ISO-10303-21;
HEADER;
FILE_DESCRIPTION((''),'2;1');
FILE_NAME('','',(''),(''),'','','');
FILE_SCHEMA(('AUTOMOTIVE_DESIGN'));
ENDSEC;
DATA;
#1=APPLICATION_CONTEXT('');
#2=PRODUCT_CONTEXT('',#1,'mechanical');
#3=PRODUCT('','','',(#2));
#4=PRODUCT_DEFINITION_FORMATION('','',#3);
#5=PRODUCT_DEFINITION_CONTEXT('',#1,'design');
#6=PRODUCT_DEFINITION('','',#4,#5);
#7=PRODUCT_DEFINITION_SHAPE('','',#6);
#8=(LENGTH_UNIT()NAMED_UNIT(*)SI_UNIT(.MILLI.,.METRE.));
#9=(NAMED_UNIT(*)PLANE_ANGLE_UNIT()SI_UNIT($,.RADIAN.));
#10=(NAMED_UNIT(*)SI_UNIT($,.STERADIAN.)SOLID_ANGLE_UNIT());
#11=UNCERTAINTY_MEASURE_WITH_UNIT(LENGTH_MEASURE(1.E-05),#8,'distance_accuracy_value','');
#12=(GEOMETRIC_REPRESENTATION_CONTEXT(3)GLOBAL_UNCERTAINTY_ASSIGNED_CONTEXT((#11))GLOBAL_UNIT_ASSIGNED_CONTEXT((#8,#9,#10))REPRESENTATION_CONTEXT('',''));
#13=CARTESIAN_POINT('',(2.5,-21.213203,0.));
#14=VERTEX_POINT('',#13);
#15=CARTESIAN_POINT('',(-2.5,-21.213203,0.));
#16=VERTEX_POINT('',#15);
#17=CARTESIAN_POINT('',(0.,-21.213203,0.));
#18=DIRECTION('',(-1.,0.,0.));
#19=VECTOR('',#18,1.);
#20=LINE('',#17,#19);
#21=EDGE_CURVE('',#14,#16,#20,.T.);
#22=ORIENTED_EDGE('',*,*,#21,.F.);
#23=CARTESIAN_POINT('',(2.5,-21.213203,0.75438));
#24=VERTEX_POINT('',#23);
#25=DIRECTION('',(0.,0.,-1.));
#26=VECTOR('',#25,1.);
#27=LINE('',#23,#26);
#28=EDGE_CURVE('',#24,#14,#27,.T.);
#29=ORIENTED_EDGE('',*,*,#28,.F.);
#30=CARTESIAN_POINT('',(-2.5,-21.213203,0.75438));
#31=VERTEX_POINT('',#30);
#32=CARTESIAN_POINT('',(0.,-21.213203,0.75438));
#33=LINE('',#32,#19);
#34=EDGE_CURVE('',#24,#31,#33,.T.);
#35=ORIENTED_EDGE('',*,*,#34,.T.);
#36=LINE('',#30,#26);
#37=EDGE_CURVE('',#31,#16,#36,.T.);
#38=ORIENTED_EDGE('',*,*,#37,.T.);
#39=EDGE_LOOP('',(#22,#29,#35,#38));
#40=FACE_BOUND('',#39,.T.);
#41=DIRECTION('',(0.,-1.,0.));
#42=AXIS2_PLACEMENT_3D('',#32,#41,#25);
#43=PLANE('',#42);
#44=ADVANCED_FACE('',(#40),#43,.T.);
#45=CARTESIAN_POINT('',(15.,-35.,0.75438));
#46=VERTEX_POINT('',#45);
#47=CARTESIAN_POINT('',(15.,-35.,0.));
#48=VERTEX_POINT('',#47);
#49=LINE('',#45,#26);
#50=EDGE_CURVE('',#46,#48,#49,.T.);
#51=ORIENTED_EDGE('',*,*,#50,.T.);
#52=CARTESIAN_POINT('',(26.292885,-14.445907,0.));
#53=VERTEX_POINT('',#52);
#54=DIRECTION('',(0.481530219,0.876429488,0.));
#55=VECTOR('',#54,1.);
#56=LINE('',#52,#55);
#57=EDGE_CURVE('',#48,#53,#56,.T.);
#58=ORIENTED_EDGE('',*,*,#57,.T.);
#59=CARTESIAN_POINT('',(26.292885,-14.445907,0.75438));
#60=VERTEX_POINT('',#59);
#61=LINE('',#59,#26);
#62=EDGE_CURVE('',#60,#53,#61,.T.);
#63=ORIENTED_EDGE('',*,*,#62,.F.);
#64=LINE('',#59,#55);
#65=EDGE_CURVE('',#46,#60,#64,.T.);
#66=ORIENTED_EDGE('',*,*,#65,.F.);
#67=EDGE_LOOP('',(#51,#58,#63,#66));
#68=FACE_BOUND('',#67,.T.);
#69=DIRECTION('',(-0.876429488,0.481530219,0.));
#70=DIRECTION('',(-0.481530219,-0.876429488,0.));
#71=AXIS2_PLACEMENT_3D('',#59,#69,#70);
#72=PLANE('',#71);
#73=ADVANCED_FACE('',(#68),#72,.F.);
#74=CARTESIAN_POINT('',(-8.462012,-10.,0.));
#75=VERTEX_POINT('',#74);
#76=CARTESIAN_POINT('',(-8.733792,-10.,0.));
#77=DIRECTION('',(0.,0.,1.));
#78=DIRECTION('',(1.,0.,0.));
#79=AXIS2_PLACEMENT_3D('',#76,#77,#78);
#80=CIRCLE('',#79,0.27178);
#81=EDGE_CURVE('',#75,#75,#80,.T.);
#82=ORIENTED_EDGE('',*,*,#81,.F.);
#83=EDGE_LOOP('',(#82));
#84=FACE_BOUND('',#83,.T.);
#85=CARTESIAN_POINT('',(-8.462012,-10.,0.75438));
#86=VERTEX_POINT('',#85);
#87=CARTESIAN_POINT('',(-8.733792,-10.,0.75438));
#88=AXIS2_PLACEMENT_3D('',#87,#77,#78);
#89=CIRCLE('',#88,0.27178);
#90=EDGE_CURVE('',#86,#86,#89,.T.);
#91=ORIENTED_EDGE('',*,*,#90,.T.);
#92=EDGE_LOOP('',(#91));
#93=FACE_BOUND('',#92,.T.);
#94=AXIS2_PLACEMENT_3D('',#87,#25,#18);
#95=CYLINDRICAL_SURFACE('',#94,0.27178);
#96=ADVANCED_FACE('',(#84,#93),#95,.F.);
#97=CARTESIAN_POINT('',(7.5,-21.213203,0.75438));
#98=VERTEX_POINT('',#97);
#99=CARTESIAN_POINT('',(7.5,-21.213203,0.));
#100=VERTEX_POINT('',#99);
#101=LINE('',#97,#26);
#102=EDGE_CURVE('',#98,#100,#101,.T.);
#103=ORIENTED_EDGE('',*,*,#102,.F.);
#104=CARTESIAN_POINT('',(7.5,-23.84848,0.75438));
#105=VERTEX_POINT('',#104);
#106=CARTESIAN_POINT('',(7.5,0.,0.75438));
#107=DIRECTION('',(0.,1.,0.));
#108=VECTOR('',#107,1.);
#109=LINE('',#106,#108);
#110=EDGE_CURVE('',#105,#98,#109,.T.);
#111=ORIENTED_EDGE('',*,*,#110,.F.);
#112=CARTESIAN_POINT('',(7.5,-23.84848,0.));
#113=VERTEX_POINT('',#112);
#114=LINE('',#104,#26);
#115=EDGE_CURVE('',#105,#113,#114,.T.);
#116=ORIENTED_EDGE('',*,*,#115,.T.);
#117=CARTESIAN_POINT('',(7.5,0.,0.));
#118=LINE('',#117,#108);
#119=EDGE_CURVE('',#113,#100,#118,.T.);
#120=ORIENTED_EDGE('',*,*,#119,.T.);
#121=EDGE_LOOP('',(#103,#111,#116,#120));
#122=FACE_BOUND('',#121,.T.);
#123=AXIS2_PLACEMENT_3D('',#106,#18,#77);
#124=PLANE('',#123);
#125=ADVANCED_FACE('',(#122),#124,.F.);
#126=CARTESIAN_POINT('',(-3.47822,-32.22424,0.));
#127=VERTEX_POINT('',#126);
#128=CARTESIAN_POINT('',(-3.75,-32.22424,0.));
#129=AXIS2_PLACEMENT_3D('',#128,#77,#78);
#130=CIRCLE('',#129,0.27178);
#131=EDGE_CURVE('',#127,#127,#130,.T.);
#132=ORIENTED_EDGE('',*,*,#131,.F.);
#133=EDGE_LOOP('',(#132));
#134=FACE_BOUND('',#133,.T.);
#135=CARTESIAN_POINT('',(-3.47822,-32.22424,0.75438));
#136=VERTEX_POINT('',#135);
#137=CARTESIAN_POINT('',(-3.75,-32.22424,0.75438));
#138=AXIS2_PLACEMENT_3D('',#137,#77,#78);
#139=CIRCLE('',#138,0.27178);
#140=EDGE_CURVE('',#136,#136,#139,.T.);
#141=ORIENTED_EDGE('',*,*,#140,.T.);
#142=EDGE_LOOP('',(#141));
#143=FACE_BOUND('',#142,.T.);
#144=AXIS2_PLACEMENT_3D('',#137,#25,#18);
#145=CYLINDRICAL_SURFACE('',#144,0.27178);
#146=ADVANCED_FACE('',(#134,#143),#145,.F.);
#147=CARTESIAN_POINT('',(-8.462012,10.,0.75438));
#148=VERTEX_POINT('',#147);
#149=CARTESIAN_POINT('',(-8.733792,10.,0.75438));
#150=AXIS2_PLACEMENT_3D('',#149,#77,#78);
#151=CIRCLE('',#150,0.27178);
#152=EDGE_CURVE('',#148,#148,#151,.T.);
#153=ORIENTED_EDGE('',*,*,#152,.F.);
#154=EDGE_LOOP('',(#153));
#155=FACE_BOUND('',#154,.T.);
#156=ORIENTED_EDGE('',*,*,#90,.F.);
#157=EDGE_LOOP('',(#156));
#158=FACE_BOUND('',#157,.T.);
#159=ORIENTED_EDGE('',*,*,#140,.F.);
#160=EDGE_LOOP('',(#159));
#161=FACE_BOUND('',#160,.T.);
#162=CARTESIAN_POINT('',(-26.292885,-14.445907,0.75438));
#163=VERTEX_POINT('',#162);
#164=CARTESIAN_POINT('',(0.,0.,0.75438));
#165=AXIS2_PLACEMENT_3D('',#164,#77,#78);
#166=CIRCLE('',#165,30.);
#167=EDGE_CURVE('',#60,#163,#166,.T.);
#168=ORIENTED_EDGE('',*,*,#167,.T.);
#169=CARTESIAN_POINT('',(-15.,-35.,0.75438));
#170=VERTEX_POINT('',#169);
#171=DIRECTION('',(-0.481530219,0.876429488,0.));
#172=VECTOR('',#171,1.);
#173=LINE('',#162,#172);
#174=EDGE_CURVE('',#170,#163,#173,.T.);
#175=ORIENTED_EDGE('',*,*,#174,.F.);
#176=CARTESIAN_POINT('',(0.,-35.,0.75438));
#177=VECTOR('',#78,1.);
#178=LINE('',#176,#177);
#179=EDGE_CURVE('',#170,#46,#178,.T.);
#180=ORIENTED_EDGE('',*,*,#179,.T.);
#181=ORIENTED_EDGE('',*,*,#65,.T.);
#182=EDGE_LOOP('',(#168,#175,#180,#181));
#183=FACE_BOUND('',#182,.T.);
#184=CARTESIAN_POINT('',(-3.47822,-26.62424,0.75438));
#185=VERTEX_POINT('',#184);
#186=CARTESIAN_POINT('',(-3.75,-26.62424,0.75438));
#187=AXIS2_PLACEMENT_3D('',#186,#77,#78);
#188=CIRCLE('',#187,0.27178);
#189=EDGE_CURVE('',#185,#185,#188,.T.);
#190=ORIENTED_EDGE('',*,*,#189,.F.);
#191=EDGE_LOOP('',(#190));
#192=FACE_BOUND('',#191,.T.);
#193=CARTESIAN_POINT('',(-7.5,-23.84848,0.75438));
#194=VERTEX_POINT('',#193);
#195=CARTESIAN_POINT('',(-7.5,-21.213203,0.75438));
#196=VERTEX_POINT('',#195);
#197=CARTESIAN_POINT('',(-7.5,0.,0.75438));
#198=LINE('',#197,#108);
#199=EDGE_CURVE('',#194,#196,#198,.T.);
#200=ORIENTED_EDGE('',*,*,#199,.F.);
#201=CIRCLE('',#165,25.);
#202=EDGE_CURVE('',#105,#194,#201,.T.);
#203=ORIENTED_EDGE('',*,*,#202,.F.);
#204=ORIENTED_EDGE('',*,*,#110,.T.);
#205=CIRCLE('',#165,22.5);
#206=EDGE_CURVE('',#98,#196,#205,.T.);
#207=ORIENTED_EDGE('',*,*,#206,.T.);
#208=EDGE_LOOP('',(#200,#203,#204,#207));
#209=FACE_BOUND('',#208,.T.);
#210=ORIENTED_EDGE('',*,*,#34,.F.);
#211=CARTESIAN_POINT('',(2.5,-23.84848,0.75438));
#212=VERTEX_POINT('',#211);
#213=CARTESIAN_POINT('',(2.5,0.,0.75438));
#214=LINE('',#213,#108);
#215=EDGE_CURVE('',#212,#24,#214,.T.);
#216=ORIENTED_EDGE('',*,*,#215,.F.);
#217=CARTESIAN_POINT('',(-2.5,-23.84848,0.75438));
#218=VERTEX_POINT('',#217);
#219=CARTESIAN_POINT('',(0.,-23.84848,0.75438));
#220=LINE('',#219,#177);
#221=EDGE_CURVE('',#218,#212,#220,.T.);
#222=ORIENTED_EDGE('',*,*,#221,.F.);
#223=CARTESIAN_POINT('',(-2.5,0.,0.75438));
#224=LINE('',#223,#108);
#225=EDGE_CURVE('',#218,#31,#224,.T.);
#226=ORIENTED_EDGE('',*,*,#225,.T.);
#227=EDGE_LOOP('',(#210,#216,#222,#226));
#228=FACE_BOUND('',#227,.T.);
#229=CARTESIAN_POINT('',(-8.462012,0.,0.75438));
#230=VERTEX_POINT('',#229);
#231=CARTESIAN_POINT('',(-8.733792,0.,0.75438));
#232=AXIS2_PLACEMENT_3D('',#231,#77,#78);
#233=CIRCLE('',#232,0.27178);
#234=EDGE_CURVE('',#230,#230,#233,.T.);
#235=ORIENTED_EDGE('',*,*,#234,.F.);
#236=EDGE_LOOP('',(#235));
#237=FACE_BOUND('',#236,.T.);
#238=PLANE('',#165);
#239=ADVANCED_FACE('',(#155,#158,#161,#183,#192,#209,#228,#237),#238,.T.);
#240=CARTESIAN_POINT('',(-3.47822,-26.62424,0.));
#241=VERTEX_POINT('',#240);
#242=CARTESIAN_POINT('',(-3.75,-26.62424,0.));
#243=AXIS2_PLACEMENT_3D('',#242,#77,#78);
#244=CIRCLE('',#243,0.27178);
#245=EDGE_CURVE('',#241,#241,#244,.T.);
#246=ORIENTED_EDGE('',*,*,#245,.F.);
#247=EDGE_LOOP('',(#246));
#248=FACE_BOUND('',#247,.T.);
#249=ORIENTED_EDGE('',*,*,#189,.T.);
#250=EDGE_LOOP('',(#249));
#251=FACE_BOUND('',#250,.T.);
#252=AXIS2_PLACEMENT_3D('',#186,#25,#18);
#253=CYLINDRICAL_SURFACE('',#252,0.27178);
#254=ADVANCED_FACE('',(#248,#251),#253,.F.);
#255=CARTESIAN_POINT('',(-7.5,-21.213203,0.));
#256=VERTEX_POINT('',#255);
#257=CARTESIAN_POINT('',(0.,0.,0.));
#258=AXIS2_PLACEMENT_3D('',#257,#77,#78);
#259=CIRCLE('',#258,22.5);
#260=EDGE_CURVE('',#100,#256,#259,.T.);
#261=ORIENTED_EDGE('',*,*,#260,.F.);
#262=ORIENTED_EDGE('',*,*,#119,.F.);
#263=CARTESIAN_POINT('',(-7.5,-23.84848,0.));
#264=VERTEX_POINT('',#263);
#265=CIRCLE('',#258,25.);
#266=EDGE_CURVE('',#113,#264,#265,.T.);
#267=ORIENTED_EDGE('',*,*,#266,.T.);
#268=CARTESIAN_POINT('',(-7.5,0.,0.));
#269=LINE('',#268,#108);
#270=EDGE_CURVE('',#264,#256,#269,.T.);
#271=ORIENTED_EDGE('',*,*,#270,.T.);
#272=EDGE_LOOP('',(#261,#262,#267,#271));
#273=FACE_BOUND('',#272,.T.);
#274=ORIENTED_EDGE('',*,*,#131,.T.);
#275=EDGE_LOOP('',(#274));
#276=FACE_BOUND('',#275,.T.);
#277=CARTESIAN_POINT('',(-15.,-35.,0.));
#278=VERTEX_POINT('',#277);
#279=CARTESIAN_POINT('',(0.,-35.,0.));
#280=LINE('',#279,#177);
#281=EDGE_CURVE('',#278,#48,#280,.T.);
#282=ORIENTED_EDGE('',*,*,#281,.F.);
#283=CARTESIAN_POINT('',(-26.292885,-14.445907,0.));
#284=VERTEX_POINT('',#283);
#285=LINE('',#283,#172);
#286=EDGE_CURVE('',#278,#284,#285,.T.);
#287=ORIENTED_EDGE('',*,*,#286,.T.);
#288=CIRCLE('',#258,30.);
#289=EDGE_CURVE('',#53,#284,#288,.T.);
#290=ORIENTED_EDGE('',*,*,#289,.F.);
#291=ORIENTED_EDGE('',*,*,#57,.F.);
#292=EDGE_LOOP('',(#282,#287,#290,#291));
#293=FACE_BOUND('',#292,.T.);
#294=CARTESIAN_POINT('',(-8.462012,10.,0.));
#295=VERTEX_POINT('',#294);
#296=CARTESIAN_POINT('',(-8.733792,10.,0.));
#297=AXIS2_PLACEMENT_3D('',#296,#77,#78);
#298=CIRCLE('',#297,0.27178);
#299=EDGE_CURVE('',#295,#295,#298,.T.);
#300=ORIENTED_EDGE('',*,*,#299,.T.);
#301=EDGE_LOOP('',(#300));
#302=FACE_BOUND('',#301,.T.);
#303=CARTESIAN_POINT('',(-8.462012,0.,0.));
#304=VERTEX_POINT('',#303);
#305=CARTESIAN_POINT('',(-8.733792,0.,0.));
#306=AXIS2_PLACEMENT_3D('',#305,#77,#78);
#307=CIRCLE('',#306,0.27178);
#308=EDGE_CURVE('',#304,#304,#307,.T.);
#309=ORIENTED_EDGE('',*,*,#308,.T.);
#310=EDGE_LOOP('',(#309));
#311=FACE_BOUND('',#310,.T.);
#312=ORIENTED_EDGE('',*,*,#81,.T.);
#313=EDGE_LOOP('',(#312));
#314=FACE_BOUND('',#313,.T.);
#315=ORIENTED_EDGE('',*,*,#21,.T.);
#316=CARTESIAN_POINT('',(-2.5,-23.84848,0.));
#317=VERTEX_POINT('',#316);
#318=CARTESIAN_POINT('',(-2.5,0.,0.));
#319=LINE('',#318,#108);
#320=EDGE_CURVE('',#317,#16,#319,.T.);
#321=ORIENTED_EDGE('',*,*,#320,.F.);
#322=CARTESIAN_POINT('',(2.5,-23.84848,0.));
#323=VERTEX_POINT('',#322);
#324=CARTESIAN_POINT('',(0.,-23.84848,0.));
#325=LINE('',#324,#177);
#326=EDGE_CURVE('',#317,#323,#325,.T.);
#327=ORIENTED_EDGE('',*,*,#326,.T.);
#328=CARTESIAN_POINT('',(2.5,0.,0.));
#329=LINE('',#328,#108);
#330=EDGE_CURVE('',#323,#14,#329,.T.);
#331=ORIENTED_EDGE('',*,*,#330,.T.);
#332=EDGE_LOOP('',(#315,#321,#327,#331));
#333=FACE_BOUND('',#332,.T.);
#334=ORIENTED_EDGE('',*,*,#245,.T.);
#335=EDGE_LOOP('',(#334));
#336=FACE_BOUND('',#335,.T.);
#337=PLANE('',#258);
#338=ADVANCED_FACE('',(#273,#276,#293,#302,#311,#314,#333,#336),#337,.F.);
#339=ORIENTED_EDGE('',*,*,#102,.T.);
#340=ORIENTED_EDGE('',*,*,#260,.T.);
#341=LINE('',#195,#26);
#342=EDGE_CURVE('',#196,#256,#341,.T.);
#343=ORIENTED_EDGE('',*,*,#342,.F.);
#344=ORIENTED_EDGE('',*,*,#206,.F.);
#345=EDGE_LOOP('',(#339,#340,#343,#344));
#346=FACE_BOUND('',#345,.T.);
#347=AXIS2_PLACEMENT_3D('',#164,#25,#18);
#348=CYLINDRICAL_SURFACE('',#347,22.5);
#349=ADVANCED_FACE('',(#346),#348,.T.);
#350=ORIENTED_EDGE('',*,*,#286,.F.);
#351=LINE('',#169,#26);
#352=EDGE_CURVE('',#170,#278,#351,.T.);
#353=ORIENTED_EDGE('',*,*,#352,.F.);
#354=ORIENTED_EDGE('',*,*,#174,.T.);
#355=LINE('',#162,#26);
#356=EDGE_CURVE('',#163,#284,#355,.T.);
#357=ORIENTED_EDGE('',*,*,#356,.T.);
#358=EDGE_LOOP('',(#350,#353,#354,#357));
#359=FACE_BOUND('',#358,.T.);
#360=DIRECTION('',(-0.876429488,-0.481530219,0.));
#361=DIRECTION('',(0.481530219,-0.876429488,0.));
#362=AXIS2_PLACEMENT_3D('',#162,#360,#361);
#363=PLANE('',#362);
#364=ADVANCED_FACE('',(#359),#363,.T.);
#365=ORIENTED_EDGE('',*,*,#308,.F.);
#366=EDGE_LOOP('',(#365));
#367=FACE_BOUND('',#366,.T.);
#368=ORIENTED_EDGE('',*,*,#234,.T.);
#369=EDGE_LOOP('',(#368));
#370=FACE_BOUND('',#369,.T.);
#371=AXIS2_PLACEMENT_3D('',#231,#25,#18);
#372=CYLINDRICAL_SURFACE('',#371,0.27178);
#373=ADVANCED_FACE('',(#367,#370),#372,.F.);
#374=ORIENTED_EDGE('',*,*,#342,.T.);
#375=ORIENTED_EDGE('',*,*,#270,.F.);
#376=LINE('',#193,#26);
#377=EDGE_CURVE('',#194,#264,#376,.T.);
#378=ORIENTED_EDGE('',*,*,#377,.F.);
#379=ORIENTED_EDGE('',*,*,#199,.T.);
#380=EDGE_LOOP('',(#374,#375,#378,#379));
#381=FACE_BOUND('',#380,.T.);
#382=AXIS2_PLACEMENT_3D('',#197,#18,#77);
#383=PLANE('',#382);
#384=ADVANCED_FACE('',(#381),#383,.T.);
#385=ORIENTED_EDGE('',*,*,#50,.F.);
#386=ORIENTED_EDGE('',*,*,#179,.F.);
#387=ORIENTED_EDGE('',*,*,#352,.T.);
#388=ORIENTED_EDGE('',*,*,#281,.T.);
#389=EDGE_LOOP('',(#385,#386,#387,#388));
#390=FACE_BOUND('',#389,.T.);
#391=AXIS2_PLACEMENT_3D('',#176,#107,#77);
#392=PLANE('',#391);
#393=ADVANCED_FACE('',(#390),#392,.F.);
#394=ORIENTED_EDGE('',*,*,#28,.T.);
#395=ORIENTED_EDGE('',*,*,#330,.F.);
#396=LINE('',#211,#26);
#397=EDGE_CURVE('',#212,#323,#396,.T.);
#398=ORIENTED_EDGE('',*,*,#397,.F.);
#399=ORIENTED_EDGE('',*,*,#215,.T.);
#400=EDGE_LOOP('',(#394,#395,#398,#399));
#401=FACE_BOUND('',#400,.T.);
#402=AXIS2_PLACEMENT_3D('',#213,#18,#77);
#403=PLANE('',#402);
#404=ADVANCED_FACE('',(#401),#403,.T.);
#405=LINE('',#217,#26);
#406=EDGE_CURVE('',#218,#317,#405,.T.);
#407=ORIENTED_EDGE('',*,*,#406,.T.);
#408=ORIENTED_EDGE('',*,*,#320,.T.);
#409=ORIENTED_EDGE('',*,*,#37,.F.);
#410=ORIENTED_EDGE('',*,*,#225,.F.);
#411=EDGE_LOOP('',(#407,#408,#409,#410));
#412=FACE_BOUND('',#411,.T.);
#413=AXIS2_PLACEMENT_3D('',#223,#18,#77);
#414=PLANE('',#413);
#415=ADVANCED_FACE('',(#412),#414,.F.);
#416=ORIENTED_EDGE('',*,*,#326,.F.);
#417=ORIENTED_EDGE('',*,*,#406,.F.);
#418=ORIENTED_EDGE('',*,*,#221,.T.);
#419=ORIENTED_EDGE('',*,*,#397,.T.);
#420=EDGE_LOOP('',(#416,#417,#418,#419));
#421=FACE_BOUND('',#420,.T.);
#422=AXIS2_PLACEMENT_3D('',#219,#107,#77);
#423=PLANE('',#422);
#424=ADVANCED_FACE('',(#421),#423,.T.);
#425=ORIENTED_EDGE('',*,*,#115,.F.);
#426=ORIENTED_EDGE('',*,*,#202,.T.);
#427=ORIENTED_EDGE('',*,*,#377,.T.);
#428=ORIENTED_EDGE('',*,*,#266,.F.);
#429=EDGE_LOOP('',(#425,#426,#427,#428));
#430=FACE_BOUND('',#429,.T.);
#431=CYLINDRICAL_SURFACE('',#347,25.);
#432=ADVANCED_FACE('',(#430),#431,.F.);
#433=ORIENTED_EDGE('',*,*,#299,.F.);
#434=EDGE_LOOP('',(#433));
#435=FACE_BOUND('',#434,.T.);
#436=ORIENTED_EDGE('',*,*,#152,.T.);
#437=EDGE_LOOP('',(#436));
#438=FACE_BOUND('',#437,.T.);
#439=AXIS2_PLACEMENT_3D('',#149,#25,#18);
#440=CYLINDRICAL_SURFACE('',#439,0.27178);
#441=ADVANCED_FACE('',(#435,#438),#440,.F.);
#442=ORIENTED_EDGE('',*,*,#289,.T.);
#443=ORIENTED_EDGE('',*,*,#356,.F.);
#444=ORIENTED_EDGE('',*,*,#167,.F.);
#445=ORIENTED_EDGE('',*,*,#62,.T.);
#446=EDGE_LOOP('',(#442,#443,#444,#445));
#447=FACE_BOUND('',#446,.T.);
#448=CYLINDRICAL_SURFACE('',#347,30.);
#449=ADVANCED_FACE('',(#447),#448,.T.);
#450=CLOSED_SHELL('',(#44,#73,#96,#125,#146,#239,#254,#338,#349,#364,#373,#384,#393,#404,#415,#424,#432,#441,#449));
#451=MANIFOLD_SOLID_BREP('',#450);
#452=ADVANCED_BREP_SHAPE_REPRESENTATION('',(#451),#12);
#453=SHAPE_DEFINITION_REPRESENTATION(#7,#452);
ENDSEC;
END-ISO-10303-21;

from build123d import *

# Parameters (mm, degrees)
SKETCH1_R           = 0.27178
BOSS_EXTRUDE1_DEPTH = 0.75438


with BuildPart() as part:
    # Sketch1 → Boss-Extrude1 (new body)
    with BuildSketch(Plane.XY):
        with BuildLine():
            Line((-26.292884648, -14.44590658), (-15, -35))
            Line((-15, -35), (-7.5, -35))
            Line((-7.5, -35), (15, -35))
            Line((15, -35), (26.292884648, -14.44590658))
            ThreePointArc((26.292884648, -14.44590658), (0, 30), (-26.292884648, -14.44590658))
        make_face()
        with Locations((-3.750000002, -32.224240034)):
            Circle(SKETCH1_R, mode=Mode.SUBTRACT)
        with Locations((-3.750000002, -26.624240034)):
            Circle(SKETCH1_R, mode=Mode.SUBTRACT)
        Polygon((2.5, -23.848480035), (-2.5, -23.848480035), (-2.5, -22.360679775), (-2.5, -21.213203436), (2.5, -21.213203436), (2.5, -22.360679775), align=None, mode=Mode.SUBTRACT)
        with Locations((-8.733792148, -10)):
            Circle(SKETCH1_R, mode=Mode.SUBTRACT)
        with Locations((-8.733792148, 0)):
            Circle(SKETCH1_R, mode=Mode.SUBTRACT)
        with BuildLine():
            Line((-7.5, -21.213203436), (-7.5, -23.848480035))
            ThreePointArc((-7.5, -23.848480035), (0, 25), (7.5, -23.848480035))
            Line((7.5, -23.848480035), (7.5, -21.213203436))
            ThreePointArc((7.5, -21.213203436), (0, 22.5), (-7.5, -21.213203436))
        make_face(mode=Mode.SUBTRACT)
        with Locations((-8.733792148, 10)):
            Circle(SKETCH1_R, mode=Mode.SUBTRACT)
    extrude(amount=BOSS_EXTRUDE1_DEPTH)


solid = part.part
